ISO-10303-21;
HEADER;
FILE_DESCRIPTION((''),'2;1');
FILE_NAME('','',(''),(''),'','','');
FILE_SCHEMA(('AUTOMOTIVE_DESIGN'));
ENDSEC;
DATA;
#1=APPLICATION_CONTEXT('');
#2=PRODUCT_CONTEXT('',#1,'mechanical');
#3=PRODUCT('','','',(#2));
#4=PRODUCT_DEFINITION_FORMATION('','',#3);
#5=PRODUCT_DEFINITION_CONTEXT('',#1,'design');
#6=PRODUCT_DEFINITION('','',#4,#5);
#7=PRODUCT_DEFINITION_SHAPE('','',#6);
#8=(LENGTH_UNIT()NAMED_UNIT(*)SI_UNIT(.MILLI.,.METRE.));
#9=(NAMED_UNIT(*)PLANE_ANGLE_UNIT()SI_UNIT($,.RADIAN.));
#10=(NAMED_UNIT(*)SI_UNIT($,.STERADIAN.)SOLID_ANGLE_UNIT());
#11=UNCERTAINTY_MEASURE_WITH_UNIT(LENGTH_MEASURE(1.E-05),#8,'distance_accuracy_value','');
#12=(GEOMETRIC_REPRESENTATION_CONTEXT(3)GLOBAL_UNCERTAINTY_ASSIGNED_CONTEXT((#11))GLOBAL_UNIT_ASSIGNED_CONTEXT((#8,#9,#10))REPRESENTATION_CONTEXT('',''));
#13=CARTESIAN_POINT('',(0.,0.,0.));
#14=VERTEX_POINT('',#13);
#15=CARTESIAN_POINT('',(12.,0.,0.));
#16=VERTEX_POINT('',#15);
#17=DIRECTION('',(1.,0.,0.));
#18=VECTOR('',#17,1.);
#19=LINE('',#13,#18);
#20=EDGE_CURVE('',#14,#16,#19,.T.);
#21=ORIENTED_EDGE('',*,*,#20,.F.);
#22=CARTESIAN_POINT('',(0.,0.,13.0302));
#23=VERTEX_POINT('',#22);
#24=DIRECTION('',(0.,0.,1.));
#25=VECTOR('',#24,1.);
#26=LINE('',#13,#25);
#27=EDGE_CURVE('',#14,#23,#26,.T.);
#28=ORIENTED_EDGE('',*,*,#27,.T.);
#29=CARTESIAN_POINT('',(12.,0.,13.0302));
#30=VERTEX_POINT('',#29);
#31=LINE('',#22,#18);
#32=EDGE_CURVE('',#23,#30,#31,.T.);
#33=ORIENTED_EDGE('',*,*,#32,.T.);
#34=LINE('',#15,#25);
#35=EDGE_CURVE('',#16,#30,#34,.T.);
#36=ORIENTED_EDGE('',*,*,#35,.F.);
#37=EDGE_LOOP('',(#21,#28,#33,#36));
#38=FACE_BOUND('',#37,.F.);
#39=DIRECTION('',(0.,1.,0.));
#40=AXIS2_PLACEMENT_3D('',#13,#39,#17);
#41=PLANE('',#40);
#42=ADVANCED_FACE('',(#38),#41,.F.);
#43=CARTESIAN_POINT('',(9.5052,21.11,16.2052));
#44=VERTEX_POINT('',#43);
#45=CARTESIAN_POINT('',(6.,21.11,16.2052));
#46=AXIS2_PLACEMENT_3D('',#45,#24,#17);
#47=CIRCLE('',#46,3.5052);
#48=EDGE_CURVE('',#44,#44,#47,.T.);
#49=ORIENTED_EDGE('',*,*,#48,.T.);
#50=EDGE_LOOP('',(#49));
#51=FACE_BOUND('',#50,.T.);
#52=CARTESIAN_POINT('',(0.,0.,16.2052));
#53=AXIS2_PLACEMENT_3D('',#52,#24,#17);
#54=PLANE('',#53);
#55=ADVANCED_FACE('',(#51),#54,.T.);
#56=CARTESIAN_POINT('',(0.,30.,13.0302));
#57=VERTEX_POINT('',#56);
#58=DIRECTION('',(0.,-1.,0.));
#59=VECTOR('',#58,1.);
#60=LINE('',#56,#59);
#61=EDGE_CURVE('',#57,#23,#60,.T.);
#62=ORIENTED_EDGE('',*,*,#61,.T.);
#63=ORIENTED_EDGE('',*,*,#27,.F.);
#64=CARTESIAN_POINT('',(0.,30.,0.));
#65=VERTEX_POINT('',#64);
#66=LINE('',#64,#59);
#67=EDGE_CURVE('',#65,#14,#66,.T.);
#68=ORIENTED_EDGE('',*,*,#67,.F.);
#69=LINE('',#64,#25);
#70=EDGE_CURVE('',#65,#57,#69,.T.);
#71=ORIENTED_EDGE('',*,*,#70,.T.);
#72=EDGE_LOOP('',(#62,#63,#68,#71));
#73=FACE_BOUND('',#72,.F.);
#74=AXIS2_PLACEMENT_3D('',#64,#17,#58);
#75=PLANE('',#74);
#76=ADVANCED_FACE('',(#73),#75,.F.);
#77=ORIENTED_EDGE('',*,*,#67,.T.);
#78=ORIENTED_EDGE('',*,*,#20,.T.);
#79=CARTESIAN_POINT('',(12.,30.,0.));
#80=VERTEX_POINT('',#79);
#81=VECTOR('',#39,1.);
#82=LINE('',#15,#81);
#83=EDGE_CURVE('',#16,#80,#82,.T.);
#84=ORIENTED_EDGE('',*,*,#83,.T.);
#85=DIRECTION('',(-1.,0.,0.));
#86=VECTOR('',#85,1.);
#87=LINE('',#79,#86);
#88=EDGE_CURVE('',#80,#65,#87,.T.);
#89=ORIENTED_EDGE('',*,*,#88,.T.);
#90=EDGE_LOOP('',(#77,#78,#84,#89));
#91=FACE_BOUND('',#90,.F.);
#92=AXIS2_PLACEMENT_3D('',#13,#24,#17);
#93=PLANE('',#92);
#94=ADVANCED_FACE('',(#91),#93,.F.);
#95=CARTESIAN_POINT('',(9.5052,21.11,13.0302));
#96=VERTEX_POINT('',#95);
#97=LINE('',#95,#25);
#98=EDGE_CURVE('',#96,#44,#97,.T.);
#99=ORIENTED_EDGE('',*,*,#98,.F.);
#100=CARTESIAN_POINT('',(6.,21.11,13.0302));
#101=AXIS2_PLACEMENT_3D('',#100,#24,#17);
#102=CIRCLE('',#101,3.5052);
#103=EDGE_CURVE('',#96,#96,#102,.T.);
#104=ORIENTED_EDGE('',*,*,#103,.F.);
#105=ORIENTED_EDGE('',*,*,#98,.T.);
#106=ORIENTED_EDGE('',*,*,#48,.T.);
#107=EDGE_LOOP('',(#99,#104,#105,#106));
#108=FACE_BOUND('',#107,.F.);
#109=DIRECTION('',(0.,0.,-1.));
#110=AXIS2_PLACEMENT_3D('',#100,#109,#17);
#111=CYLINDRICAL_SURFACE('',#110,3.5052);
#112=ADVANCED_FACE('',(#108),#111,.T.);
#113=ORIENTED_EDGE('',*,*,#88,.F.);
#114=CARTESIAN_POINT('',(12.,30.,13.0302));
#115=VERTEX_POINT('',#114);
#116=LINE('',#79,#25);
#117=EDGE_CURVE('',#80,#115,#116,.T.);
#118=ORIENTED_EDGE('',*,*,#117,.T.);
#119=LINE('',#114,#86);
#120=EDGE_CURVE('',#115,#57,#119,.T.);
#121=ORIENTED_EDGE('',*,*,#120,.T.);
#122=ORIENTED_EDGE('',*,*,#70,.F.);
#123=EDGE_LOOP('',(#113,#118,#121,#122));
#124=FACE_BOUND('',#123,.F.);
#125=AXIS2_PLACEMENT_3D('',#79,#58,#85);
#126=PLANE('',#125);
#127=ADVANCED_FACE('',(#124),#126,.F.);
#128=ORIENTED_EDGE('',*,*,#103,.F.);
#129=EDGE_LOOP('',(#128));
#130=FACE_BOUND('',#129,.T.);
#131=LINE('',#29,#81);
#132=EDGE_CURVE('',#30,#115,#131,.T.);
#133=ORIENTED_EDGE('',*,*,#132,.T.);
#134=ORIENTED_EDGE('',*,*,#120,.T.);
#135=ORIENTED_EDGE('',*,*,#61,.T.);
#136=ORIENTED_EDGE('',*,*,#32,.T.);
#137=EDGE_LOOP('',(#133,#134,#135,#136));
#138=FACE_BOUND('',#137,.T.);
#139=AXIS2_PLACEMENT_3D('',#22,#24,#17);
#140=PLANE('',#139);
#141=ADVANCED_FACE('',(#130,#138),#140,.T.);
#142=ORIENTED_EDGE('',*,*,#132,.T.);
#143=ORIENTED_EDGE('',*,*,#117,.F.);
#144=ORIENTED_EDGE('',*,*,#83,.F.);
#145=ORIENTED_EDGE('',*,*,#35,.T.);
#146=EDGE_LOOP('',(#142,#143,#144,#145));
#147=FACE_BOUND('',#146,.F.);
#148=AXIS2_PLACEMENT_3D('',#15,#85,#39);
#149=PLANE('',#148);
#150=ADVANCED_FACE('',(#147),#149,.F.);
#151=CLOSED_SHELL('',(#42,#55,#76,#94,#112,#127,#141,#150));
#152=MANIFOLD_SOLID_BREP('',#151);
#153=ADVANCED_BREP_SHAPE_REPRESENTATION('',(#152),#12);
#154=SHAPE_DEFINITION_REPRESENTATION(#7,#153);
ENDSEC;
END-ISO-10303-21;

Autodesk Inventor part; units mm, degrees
ref_plane "YZ Plane" through (0, 0, 0) normal (1, 0, 0) x (0, 1, 0)
ref_plane "XZ Plane" through (0, 0, 0) normal (0, 1, 0) x (-1, 0, 0)
ref_plane "XY Plane" through (0, 0, 0) normal (0, 0, 1) x (1, 0, 0)
sketch "Sketch1" plane through (0, 0, 0) normal (0, 0, 1) x (1, 0, 0)
  line L0 (0, 0) -> (12, 0)
  line L1 (12, 0) -> (12, 30)
  line L2 (12, 30) -> (0, 30)
  line L3 (0, 30) -> (0, 0)
  dimension "d0" = 12
  dimension "d1" = 30
extrude "Extrusion1" add sketch "Sketch1" along normal blind 13.0302
sketch "Sketch2" plane through (0, 0, 13.0302) normal (0, 0, 1) x (1, 0, 0)
  line L0 (12, 30) -> (0, 30) projected
  line L1 (0, 30) -> (0, 0) projected
  circle A0 centre (6, 21.11) radius 3.5052
  dimension "d4" = 6
  dimension "d5" = 8.89
  dimension "d8" = 7.0104
extrude "Extrusion2" add sketch "Sketch2" along normal blind 3.175
equation "\"d0\" = servoWidth"
equation "\"d1\" = servoLength"
equation "\"d2\" = servoHeight"
equation "\"d4\" = 0.5 * servoWidth"
equation "\"d5\" = hornOffset"
equation "\"d8\" = hornCenter"
equation "\"d6\" = thick"
equation "\"servoLength\" = 30"
equation "\"servoWidth\" = 12"
equation "\"hornCenter\" = 7.0104"
equation "\"hornDia\" = 13.1572"
equation "\"hornHole\" = 1.524"
equation "\"hornOffset\" = 8.89"
equation "\"servoHeight\" = 13.0302"
equation "\"thick\" = 3.175"
properties part number "Servo"
